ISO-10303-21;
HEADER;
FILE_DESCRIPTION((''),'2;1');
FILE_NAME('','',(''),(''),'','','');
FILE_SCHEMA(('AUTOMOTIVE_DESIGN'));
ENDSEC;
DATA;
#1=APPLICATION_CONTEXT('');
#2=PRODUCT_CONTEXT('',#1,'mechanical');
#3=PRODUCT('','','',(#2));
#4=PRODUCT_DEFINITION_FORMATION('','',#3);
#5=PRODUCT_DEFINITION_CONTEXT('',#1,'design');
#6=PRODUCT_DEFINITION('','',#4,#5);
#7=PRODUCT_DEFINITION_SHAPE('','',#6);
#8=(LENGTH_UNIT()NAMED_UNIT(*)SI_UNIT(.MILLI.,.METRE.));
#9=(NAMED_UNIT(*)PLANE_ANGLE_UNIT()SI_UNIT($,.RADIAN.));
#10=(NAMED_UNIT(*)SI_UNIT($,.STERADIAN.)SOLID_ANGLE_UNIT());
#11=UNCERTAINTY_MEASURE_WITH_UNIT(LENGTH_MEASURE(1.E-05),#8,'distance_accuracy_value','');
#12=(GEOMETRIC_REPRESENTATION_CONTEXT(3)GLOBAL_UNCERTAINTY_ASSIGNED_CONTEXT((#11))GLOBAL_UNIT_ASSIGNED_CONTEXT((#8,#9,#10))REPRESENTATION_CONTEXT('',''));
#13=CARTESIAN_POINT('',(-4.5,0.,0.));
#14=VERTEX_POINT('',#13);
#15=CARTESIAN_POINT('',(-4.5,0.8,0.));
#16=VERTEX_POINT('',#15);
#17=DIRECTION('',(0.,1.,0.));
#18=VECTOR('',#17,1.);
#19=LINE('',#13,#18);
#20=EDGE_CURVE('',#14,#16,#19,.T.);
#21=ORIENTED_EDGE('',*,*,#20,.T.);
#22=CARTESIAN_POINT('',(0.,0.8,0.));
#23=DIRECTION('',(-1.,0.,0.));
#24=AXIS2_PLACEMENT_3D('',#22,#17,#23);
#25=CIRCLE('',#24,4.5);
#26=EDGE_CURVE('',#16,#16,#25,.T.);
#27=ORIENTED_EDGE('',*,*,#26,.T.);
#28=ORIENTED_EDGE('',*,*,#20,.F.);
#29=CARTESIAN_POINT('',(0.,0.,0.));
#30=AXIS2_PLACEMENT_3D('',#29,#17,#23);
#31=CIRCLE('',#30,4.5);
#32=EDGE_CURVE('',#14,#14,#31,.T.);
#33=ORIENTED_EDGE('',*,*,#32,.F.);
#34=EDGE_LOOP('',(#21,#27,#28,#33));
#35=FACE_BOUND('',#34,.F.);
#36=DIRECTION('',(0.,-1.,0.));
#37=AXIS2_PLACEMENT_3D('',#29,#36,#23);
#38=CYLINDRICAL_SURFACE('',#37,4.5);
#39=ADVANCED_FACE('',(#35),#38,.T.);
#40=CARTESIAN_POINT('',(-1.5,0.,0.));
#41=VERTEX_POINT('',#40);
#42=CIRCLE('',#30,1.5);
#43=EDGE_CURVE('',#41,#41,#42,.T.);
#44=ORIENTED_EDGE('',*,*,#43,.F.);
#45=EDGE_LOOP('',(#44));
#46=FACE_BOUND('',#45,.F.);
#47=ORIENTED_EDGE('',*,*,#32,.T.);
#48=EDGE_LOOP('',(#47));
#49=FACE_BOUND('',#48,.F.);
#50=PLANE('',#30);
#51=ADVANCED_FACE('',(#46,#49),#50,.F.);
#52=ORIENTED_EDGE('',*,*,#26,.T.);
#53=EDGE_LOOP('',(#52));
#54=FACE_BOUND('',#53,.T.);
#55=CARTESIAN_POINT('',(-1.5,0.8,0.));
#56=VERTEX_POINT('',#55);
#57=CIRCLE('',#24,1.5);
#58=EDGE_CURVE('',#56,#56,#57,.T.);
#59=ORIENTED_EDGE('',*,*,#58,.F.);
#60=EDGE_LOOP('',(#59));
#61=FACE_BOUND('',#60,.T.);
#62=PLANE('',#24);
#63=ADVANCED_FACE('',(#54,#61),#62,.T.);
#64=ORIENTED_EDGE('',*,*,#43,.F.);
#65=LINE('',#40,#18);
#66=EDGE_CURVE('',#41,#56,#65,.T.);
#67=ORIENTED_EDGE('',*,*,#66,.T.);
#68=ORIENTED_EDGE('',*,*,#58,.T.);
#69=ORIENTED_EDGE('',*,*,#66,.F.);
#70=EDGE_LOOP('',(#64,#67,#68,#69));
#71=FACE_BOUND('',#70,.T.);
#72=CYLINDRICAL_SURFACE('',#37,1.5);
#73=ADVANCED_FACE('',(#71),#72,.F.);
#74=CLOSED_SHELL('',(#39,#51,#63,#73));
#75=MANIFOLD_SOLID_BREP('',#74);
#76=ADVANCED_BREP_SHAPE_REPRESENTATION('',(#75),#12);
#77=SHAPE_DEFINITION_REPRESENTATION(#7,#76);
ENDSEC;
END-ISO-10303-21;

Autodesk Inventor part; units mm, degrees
ref_plane "YZ Plane" through (0, 0, 0) normal (1, 0, 0) x (0, 1, 0)
ref_plane "XZ Plane" through (0, 0, 0) normal (0, 1, 0) x (-1, 0, 0)
ref_plane "XY Plane" through (0, 0, 0) normal (0, 0, 1) x (1, 0, 0)
sketch "Sketch1" plane through (0, 0, 0) normal (0, 1, 0) x (-1, 0, 0)
  circle A0 centre (0, 0) radius 1.5
  circle A1 centre (0, 0) radius 4.5
  dimension "d0" = 3
  dimension "d1" = 9
extrude "Extrusion1" add sketch "Sketch1" along normal blind 0.8
properties part number "M3washer"
